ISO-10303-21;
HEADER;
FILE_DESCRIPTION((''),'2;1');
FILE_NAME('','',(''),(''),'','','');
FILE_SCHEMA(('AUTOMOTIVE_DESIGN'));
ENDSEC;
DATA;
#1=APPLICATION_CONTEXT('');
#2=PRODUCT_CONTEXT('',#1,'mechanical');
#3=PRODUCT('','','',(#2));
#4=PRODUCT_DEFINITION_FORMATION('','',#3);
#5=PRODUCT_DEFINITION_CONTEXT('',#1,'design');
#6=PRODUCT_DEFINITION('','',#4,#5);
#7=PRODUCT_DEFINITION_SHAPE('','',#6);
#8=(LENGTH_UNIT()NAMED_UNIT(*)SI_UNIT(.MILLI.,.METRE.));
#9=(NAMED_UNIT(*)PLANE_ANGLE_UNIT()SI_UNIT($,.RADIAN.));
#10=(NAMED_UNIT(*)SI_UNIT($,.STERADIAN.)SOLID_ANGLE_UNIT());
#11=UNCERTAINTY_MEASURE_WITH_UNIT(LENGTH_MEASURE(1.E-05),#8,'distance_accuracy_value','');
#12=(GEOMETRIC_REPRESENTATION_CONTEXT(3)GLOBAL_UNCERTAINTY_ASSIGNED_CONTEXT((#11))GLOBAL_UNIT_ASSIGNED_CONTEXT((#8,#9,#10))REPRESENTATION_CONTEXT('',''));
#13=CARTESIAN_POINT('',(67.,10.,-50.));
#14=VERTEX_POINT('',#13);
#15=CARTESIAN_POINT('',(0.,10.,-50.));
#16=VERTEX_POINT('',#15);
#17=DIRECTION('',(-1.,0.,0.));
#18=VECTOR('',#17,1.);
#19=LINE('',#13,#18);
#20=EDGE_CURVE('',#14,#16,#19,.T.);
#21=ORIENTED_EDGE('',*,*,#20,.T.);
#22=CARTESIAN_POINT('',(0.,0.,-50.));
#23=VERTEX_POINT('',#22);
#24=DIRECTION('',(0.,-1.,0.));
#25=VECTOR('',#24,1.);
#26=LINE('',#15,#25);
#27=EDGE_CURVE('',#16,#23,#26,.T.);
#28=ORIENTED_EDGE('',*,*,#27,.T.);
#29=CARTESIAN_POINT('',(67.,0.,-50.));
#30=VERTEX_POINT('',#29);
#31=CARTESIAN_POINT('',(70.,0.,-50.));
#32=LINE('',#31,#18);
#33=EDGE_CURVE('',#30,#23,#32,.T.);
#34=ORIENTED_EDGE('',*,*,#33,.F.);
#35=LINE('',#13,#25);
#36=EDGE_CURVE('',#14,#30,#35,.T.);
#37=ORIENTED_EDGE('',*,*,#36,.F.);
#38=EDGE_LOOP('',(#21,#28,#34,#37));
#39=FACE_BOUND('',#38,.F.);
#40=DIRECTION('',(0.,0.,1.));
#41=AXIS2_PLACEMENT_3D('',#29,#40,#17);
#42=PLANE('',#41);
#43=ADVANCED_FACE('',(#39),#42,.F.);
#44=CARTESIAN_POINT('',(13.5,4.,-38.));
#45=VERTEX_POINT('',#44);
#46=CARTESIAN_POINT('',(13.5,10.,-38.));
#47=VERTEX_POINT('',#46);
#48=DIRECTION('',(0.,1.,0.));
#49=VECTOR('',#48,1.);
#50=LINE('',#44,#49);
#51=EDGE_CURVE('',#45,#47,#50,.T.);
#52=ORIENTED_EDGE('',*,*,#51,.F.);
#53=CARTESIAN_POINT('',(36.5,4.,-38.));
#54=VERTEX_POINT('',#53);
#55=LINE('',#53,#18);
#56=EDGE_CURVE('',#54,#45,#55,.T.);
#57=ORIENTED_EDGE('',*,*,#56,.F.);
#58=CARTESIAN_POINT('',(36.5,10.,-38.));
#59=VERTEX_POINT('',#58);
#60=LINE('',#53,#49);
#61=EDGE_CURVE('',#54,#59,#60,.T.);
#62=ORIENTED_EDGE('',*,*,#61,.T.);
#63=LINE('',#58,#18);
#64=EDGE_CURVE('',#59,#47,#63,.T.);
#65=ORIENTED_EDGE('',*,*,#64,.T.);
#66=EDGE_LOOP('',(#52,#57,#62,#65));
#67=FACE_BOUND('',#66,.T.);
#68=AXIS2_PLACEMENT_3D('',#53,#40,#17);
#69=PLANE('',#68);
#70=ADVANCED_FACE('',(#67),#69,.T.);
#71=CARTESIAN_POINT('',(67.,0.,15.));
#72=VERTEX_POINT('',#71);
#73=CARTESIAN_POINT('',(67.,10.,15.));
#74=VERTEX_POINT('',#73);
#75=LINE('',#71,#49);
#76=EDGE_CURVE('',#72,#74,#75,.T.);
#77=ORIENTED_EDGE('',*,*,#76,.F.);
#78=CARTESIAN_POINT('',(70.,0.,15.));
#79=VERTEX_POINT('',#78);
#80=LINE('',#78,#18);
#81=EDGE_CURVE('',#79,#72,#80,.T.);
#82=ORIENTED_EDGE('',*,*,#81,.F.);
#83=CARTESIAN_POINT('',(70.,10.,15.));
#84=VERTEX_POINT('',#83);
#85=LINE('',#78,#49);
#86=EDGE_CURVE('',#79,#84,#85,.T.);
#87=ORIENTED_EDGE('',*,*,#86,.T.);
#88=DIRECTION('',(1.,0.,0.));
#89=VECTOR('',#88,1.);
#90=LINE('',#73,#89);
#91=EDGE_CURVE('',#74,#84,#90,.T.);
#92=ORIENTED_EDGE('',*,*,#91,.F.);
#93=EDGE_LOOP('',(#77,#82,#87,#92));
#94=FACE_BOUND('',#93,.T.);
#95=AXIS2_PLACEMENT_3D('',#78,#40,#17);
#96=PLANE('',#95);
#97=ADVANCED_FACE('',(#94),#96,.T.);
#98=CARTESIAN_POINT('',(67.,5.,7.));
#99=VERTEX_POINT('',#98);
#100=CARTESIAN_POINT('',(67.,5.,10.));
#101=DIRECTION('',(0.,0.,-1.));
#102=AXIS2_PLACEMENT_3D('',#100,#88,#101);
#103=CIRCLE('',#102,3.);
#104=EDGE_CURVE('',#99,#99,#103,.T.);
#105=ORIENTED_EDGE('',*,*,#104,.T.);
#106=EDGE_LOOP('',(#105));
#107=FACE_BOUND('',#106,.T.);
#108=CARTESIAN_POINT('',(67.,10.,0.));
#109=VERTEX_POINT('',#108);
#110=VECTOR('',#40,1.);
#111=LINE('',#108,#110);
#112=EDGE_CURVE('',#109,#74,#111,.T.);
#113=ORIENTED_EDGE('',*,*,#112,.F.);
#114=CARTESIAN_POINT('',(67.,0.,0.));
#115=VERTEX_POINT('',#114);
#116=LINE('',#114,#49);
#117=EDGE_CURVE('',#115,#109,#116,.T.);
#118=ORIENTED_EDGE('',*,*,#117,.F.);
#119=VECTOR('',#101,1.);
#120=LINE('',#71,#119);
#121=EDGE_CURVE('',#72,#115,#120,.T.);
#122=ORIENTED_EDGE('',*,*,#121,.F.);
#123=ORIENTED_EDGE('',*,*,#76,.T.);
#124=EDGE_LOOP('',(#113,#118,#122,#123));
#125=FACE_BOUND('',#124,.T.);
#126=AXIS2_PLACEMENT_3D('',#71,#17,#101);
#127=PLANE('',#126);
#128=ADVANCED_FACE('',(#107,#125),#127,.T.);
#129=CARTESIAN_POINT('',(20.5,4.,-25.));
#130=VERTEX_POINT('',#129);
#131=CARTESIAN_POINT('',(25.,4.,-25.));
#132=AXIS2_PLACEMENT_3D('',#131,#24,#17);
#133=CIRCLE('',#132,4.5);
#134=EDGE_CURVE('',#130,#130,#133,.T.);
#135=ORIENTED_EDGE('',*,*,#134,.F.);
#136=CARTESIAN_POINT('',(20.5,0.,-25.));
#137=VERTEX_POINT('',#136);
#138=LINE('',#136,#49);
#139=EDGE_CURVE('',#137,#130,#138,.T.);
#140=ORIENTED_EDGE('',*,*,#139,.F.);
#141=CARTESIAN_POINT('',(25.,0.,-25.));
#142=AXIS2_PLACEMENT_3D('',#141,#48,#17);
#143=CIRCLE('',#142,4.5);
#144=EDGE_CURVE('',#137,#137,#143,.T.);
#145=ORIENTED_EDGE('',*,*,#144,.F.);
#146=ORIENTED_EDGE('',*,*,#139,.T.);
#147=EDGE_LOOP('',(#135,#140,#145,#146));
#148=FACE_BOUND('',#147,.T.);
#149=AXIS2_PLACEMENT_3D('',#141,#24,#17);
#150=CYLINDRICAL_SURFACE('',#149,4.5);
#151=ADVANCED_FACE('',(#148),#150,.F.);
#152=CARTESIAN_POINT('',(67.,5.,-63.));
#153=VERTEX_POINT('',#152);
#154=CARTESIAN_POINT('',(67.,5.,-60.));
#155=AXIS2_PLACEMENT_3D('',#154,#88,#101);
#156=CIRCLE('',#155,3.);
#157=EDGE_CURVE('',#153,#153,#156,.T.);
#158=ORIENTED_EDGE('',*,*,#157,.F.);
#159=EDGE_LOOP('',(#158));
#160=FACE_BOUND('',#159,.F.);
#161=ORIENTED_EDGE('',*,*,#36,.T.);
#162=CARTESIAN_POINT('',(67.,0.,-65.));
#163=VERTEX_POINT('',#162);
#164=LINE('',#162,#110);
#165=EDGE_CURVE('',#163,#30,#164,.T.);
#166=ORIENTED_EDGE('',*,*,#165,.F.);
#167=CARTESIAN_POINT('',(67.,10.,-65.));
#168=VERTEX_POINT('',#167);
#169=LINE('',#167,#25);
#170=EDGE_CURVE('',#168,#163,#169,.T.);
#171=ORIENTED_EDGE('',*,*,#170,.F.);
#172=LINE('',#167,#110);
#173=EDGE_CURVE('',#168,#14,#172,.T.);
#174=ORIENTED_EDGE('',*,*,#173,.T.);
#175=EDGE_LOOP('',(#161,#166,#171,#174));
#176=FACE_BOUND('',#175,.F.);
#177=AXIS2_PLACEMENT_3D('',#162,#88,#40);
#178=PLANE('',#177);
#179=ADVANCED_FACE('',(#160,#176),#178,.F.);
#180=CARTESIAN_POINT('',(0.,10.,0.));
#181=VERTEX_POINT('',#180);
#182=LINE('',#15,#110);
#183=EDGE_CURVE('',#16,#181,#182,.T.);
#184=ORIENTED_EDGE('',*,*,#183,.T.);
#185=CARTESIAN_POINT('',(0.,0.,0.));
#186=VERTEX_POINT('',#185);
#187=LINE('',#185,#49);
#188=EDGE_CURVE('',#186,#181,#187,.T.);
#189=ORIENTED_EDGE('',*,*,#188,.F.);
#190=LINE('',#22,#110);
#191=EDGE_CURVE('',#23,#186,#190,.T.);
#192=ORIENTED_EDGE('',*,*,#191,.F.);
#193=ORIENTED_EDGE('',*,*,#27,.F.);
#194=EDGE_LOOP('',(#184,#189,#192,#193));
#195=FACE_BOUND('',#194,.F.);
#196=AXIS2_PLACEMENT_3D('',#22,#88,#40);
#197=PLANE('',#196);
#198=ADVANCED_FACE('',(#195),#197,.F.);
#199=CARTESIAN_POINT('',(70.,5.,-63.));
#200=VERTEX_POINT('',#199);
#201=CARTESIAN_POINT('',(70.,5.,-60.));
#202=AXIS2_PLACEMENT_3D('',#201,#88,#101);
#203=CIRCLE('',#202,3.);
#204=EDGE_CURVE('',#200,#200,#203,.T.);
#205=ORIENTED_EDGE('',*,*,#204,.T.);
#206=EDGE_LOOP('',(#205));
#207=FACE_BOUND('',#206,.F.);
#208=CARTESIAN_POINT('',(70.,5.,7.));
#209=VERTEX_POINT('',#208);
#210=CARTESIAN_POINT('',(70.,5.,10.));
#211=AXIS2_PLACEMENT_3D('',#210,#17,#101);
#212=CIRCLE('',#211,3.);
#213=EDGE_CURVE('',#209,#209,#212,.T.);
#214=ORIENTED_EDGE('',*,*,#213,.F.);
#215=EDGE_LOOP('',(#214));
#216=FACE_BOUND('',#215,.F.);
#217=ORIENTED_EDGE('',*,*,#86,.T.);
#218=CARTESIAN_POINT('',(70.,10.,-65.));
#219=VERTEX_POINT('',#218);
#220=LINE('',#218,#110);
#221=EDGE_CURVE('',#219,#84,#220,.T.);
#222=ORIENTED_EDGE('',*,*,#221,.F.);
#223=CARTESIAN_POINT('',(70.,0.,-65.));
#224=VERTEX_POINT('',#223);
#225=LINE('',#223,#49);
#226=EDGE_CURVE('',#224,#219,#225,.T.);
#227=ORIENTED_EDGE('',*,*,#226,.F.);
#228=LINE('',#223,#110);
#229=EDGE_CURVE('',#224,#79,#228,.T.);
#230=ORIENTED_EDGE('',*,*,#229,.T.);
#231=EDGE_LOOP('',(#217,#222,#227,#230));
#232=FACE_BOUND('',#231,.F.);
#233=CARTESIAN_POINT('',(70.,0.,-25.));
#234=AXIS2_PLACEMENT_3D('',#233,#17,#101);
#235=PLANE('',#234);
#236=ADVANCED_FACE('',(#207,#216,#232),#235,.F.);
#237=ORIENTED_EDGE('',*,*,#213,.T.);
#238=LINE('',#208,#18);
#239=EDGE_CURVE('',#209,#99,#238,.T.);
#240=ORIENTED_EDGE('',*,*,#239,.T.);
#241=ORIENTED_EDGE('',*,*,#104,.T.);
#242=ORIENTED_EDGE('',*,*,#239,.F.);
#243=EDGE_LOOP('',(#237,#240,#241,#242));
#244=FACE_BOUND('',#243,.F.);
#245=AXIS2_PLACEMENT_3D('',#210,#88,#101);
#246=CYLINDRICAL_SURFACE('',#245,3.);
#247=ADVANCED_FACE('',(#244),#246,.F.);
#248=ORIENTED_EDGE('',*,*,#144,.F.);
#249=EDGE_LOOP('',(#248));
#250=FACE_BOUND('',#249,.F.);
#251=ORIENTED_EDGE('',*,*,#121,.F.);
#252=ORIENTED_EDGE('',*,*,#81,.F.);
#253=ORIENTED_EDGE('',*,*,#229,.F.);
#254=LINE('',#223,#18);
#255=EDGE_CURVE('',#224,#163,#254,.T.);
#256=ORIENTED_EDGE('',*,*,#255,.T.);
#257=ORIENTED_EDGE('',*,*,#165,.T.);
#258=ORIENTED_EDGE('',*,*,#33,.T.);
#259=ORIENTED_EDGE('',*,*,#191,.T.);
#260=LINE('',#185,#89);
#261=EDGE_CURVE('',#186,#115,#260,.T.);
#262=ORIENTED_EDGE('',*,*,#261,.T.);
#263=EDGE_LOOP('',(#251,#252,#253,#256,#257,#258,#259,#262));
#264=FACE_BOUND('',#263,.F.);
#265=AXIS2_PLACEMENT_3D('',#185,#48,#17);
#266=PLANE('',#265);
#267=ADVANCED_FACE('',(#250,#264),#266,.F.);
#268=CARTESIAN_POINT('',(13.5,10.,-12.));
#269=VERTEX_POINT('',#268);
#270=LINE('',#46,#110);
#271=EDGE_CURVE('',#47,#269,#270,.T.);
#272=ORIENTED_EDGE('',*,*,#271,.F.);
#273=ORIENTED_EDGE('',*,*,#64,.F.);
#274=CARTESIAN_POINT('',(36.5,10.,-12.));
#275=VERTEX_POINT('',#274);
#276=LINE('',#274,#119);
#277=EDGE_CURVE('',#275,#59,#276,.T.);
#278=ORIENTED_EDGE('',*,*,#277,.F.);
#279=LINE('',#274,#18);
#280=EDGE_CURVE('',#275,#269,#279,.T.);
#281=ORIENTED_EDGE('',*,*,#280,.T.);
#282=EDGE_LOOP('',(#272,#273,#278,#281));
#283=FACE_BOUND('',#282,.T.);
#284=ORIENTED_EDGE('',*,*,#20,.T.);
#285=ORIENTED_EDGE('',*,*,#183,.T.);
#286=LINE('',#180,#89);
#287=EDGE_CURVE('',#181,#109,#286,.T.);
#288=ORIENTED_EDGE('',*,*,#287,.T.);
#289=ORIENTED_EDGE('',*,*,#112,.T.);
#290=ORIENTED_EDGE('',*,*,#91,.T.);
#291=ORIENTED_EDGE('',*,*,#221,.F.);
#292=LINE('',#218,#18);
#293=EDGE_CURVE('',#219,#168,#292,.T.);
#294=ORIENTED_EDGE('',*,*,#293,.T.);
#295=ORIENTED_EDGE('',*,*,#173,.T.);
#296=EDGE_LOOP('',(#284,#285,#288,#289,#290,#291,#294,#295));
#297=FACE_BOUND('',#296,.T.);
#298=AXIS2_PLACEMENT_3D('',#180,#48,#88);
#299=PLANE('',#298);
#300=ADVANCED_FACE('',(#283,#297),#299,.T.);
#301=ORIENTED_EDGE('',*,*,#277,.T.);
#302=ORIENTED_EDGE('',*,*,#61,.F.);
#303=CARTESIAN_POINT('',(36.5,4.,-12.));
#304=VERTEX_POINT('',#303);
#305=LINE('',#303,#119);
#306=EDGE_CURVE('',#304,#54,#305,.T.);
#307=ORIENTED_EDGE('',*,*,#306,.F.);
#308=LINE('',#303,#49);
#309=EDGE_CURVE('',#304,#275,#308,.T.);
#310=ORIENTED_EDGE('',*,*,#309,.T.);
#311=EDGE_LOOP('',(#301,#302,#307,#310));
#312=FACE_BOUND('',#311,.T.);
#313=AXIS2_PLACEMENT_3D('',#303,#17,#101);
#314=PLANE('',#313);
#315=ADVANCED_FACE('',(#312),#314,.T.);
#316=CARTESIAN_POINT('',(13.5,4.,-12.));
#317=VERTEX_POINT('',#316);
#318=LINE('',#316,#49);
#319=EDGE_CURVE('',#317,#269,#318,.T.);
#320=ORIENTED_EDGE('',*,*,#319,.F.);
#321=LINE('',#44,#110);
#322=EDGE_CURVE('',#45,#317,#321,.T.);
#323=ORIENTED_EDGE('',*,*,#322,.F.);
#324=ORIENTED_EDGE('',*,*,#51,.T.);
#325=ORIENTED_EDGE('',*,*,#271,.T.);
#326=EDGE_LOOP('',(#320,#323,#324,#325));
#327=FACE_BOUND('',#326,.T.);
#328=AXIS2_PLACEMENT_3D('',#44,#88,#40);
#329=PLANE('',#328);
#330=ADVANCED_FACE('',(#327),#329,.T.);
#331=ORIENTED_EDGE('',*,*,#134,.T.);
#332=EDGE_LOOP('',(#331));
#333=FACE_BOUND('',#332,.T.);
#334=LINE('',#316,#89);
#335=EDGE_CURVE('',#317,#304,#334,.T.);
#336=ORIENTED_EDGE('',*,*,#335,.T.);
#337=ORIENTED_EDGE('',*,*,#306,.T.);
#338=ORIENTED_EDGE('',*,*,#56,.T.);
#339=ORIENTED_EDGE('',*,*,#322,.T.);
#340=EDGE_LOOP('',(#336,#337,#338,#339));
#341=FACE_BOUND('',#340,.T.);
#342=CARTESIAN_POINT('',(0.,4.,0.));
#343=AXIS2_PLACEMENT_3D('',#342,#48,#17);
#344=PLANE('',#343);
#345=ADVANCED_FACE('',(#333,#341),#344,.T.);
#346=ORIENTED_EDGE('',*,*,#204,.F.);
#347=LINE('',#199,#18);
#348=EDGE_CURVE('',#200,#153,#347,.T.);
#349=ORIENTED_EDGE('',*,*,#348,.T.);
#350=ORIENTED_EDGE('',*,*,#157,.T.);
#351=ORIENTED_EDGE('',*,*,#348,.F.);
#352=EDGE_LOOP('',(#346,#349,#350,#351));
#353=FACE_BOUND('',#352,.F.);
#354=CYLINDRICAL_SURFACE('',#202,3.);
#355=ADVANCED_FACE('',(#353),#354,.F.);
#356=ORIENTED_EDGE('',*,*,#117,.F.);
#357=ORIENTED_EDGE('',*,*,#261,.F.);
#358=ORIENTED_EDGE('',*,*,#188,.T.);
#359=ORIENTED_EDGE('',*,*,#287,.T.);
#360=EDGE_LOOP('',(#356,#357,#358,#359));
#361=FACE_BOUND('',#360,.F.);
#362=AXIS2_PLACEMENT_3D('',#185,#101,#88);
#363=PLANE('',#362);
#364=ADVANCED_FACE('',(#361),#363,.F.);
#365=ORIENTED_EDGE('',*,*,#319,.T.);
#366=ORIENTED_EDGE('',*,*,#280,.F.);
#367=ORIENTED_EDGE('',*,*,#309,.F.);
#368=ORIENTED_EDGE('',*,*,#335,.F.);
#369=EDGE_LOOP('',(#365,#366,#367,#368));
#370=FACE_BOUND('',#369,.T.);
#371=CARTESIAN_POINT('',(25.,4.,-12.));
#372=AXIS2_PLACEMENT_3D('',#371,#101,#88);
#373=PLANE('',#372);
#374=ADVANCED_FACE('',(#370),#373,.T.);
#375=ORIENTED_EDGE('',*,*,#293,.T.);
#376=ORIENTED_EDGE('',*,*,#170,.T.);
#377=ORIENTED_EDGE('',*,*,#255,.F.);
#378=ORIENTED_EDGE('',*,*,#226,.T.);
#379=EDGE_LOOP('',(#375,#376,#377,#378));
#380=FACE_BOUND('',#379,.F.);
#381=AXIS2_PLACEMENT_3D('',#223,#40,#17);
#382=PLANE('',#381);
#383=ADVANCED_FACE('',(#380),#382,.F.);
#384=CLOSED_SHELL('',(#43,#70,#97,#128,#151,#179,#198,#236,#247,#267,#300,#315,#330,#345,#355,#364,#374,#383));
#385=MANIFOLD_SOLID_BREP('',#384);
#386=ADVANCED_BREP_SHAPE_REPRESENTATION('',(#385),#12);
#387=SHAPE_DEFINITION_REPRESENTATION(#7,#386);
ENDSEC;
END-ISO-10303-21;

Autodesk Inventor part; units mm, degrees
ref_plane "YZ Plane" through (0, 0, 0) normal (1, 0, 0) x (0, 1, 0)
ref_plane "XZ Plane" through (0, 0, 0) normal (0, 1, 0) x (-1, 0, 0)
ref_plane "XY Plane" through (0, 0, 0) normal (0, 0, 1) x (1, 0, 0)
sketch "Эскиз1" plane through (0, 0, 0) normal (0, 1, 0) x (-1, 0, 0)
  line L0 (0, 0) -> (-70, 0)
  line L1 (-70, 0) -> (-70, -50)
  line L2 (-70, -50) -> (0, -50)
  line L3 (0, -50) -> (0, 0)
  line L4 (-70, 0) -> (-25, 0)
  line L5 (-25, 0) -> (-25, -25)
  line L6 (-25, -25) -> (-70, -25)
  line L7 (-70, -25) -> (-70, 0)
  circle A0 centre (-25, -25) radius 4.5
  line L8 (-70, -50) -> (-70, -65)
  line L9 (-70, -65) -> (-67, -65)
  line L10 (-67, -65) -> (-67, -50)
  line L11 (-70, 0) -> (-70, 15)
  line L12 (-70, 15) -> (-67, 15)
  line L13 (-67, 15) -> (-67, 0)
  point P0 (-67, 0)
  dimension "d0" = 70
  dimension "d1" = 50
  dimension "d2" = 45
  dimension "d3" = 25
  dimension "d4" = 9
  dimension "d31" = 15
  dimension "d32" = 3
  dimension "d33" = 15
  dimension "d34" = 3
extrude "Выдавливание1" add sketch "Эскиз1" along normal blind 4 contours L3 L2 L1 L6 A0 L5 L0 | L5 A0 L6 L1 L0 | L0 L11 L12 L13 | L10 L9 L8 L2
sketch "Эскиз2" plane through (0, 4, 0) normal (0, 1, 0) x (1, 0, 0)
  circle A0 centre (25, 25) radius 4.5 projected
  line L0 (25, 25) -> (25, 12)
  line L1 (25, 12) -> (13.5, 12)
  line L2 (13.5, 12) -> (36.5, 12)
  line L3 (36.5, 12) -> (36.5, 38)
  line L4 (36.5, 38) -> (13.5, 38)
  line L5 (13.5, 38) -> (13.5, 12)
  line L6 (67, 50) -> (0, 50) projected
  line L7 (0, 0) -> (70, 0)
  line L8 (70, 0) -> (70, 50)
  line L9 (70, 50) -> (0, 50)
  line L10 (0, 50) -> (0, 0)
  line L11 (70, -15) -> (70, 65) projected
  line L12 (67, 65) -> (67, 50) projected
  line L13 (70, 65) -> (67, 65)
  line L14 (67, 65) -> (67, 50)
  line L15 (67, 50) -> (70, 50)
  line L16 (70, 50) -> (70, 65)
  line L17 (67, -15) -> (70, -15) projected
  line L18 (67, 0) -> (67, -15) projected
  line L19 (70, -15) -> (67, -15)
  line L20 (67, -15) -> (67, 0)
  line L21 (67, 0) -> (70, 0)
  line L22 (70, 0) -> (70, -15)
  dimension "d7" = 13
  dimension "d8" = 11.5
  dimension "d9" = 23
  dimension "d10" = 26
extrude "Выдавливание2" add sketch "Эскиз2" along normal blind 6 contours L9 L8 L7 L10 L6 | L12 L13 L11 L9 | L11 L17 L18 L7
sketch "Эскиз4" plane through (70, 0, 15) normal (1, 0, 0) x (0, 0, -1)
  line L0 (0, 0) -> (0, 10) projected
  line L1 (0, 5) -> (5, 5)
  line L2 (80, 0) -> (80, 10) projected
  line L3 (80, 5) -> (75, 5)
  circle A0 centre (5, 5) radius 3
  circle A1 centre (75, 5) radius 3
  point P0 (15, 0)
  dimension "d35" = 5
  dimension "d36" = 5
  dimension "d37" = 6
  dimension "d38" = 6
extrude "Выдавливание4" cut sketch "Эскиз4" against normal blind 3.75
properties part number "Стенка энкодер"
